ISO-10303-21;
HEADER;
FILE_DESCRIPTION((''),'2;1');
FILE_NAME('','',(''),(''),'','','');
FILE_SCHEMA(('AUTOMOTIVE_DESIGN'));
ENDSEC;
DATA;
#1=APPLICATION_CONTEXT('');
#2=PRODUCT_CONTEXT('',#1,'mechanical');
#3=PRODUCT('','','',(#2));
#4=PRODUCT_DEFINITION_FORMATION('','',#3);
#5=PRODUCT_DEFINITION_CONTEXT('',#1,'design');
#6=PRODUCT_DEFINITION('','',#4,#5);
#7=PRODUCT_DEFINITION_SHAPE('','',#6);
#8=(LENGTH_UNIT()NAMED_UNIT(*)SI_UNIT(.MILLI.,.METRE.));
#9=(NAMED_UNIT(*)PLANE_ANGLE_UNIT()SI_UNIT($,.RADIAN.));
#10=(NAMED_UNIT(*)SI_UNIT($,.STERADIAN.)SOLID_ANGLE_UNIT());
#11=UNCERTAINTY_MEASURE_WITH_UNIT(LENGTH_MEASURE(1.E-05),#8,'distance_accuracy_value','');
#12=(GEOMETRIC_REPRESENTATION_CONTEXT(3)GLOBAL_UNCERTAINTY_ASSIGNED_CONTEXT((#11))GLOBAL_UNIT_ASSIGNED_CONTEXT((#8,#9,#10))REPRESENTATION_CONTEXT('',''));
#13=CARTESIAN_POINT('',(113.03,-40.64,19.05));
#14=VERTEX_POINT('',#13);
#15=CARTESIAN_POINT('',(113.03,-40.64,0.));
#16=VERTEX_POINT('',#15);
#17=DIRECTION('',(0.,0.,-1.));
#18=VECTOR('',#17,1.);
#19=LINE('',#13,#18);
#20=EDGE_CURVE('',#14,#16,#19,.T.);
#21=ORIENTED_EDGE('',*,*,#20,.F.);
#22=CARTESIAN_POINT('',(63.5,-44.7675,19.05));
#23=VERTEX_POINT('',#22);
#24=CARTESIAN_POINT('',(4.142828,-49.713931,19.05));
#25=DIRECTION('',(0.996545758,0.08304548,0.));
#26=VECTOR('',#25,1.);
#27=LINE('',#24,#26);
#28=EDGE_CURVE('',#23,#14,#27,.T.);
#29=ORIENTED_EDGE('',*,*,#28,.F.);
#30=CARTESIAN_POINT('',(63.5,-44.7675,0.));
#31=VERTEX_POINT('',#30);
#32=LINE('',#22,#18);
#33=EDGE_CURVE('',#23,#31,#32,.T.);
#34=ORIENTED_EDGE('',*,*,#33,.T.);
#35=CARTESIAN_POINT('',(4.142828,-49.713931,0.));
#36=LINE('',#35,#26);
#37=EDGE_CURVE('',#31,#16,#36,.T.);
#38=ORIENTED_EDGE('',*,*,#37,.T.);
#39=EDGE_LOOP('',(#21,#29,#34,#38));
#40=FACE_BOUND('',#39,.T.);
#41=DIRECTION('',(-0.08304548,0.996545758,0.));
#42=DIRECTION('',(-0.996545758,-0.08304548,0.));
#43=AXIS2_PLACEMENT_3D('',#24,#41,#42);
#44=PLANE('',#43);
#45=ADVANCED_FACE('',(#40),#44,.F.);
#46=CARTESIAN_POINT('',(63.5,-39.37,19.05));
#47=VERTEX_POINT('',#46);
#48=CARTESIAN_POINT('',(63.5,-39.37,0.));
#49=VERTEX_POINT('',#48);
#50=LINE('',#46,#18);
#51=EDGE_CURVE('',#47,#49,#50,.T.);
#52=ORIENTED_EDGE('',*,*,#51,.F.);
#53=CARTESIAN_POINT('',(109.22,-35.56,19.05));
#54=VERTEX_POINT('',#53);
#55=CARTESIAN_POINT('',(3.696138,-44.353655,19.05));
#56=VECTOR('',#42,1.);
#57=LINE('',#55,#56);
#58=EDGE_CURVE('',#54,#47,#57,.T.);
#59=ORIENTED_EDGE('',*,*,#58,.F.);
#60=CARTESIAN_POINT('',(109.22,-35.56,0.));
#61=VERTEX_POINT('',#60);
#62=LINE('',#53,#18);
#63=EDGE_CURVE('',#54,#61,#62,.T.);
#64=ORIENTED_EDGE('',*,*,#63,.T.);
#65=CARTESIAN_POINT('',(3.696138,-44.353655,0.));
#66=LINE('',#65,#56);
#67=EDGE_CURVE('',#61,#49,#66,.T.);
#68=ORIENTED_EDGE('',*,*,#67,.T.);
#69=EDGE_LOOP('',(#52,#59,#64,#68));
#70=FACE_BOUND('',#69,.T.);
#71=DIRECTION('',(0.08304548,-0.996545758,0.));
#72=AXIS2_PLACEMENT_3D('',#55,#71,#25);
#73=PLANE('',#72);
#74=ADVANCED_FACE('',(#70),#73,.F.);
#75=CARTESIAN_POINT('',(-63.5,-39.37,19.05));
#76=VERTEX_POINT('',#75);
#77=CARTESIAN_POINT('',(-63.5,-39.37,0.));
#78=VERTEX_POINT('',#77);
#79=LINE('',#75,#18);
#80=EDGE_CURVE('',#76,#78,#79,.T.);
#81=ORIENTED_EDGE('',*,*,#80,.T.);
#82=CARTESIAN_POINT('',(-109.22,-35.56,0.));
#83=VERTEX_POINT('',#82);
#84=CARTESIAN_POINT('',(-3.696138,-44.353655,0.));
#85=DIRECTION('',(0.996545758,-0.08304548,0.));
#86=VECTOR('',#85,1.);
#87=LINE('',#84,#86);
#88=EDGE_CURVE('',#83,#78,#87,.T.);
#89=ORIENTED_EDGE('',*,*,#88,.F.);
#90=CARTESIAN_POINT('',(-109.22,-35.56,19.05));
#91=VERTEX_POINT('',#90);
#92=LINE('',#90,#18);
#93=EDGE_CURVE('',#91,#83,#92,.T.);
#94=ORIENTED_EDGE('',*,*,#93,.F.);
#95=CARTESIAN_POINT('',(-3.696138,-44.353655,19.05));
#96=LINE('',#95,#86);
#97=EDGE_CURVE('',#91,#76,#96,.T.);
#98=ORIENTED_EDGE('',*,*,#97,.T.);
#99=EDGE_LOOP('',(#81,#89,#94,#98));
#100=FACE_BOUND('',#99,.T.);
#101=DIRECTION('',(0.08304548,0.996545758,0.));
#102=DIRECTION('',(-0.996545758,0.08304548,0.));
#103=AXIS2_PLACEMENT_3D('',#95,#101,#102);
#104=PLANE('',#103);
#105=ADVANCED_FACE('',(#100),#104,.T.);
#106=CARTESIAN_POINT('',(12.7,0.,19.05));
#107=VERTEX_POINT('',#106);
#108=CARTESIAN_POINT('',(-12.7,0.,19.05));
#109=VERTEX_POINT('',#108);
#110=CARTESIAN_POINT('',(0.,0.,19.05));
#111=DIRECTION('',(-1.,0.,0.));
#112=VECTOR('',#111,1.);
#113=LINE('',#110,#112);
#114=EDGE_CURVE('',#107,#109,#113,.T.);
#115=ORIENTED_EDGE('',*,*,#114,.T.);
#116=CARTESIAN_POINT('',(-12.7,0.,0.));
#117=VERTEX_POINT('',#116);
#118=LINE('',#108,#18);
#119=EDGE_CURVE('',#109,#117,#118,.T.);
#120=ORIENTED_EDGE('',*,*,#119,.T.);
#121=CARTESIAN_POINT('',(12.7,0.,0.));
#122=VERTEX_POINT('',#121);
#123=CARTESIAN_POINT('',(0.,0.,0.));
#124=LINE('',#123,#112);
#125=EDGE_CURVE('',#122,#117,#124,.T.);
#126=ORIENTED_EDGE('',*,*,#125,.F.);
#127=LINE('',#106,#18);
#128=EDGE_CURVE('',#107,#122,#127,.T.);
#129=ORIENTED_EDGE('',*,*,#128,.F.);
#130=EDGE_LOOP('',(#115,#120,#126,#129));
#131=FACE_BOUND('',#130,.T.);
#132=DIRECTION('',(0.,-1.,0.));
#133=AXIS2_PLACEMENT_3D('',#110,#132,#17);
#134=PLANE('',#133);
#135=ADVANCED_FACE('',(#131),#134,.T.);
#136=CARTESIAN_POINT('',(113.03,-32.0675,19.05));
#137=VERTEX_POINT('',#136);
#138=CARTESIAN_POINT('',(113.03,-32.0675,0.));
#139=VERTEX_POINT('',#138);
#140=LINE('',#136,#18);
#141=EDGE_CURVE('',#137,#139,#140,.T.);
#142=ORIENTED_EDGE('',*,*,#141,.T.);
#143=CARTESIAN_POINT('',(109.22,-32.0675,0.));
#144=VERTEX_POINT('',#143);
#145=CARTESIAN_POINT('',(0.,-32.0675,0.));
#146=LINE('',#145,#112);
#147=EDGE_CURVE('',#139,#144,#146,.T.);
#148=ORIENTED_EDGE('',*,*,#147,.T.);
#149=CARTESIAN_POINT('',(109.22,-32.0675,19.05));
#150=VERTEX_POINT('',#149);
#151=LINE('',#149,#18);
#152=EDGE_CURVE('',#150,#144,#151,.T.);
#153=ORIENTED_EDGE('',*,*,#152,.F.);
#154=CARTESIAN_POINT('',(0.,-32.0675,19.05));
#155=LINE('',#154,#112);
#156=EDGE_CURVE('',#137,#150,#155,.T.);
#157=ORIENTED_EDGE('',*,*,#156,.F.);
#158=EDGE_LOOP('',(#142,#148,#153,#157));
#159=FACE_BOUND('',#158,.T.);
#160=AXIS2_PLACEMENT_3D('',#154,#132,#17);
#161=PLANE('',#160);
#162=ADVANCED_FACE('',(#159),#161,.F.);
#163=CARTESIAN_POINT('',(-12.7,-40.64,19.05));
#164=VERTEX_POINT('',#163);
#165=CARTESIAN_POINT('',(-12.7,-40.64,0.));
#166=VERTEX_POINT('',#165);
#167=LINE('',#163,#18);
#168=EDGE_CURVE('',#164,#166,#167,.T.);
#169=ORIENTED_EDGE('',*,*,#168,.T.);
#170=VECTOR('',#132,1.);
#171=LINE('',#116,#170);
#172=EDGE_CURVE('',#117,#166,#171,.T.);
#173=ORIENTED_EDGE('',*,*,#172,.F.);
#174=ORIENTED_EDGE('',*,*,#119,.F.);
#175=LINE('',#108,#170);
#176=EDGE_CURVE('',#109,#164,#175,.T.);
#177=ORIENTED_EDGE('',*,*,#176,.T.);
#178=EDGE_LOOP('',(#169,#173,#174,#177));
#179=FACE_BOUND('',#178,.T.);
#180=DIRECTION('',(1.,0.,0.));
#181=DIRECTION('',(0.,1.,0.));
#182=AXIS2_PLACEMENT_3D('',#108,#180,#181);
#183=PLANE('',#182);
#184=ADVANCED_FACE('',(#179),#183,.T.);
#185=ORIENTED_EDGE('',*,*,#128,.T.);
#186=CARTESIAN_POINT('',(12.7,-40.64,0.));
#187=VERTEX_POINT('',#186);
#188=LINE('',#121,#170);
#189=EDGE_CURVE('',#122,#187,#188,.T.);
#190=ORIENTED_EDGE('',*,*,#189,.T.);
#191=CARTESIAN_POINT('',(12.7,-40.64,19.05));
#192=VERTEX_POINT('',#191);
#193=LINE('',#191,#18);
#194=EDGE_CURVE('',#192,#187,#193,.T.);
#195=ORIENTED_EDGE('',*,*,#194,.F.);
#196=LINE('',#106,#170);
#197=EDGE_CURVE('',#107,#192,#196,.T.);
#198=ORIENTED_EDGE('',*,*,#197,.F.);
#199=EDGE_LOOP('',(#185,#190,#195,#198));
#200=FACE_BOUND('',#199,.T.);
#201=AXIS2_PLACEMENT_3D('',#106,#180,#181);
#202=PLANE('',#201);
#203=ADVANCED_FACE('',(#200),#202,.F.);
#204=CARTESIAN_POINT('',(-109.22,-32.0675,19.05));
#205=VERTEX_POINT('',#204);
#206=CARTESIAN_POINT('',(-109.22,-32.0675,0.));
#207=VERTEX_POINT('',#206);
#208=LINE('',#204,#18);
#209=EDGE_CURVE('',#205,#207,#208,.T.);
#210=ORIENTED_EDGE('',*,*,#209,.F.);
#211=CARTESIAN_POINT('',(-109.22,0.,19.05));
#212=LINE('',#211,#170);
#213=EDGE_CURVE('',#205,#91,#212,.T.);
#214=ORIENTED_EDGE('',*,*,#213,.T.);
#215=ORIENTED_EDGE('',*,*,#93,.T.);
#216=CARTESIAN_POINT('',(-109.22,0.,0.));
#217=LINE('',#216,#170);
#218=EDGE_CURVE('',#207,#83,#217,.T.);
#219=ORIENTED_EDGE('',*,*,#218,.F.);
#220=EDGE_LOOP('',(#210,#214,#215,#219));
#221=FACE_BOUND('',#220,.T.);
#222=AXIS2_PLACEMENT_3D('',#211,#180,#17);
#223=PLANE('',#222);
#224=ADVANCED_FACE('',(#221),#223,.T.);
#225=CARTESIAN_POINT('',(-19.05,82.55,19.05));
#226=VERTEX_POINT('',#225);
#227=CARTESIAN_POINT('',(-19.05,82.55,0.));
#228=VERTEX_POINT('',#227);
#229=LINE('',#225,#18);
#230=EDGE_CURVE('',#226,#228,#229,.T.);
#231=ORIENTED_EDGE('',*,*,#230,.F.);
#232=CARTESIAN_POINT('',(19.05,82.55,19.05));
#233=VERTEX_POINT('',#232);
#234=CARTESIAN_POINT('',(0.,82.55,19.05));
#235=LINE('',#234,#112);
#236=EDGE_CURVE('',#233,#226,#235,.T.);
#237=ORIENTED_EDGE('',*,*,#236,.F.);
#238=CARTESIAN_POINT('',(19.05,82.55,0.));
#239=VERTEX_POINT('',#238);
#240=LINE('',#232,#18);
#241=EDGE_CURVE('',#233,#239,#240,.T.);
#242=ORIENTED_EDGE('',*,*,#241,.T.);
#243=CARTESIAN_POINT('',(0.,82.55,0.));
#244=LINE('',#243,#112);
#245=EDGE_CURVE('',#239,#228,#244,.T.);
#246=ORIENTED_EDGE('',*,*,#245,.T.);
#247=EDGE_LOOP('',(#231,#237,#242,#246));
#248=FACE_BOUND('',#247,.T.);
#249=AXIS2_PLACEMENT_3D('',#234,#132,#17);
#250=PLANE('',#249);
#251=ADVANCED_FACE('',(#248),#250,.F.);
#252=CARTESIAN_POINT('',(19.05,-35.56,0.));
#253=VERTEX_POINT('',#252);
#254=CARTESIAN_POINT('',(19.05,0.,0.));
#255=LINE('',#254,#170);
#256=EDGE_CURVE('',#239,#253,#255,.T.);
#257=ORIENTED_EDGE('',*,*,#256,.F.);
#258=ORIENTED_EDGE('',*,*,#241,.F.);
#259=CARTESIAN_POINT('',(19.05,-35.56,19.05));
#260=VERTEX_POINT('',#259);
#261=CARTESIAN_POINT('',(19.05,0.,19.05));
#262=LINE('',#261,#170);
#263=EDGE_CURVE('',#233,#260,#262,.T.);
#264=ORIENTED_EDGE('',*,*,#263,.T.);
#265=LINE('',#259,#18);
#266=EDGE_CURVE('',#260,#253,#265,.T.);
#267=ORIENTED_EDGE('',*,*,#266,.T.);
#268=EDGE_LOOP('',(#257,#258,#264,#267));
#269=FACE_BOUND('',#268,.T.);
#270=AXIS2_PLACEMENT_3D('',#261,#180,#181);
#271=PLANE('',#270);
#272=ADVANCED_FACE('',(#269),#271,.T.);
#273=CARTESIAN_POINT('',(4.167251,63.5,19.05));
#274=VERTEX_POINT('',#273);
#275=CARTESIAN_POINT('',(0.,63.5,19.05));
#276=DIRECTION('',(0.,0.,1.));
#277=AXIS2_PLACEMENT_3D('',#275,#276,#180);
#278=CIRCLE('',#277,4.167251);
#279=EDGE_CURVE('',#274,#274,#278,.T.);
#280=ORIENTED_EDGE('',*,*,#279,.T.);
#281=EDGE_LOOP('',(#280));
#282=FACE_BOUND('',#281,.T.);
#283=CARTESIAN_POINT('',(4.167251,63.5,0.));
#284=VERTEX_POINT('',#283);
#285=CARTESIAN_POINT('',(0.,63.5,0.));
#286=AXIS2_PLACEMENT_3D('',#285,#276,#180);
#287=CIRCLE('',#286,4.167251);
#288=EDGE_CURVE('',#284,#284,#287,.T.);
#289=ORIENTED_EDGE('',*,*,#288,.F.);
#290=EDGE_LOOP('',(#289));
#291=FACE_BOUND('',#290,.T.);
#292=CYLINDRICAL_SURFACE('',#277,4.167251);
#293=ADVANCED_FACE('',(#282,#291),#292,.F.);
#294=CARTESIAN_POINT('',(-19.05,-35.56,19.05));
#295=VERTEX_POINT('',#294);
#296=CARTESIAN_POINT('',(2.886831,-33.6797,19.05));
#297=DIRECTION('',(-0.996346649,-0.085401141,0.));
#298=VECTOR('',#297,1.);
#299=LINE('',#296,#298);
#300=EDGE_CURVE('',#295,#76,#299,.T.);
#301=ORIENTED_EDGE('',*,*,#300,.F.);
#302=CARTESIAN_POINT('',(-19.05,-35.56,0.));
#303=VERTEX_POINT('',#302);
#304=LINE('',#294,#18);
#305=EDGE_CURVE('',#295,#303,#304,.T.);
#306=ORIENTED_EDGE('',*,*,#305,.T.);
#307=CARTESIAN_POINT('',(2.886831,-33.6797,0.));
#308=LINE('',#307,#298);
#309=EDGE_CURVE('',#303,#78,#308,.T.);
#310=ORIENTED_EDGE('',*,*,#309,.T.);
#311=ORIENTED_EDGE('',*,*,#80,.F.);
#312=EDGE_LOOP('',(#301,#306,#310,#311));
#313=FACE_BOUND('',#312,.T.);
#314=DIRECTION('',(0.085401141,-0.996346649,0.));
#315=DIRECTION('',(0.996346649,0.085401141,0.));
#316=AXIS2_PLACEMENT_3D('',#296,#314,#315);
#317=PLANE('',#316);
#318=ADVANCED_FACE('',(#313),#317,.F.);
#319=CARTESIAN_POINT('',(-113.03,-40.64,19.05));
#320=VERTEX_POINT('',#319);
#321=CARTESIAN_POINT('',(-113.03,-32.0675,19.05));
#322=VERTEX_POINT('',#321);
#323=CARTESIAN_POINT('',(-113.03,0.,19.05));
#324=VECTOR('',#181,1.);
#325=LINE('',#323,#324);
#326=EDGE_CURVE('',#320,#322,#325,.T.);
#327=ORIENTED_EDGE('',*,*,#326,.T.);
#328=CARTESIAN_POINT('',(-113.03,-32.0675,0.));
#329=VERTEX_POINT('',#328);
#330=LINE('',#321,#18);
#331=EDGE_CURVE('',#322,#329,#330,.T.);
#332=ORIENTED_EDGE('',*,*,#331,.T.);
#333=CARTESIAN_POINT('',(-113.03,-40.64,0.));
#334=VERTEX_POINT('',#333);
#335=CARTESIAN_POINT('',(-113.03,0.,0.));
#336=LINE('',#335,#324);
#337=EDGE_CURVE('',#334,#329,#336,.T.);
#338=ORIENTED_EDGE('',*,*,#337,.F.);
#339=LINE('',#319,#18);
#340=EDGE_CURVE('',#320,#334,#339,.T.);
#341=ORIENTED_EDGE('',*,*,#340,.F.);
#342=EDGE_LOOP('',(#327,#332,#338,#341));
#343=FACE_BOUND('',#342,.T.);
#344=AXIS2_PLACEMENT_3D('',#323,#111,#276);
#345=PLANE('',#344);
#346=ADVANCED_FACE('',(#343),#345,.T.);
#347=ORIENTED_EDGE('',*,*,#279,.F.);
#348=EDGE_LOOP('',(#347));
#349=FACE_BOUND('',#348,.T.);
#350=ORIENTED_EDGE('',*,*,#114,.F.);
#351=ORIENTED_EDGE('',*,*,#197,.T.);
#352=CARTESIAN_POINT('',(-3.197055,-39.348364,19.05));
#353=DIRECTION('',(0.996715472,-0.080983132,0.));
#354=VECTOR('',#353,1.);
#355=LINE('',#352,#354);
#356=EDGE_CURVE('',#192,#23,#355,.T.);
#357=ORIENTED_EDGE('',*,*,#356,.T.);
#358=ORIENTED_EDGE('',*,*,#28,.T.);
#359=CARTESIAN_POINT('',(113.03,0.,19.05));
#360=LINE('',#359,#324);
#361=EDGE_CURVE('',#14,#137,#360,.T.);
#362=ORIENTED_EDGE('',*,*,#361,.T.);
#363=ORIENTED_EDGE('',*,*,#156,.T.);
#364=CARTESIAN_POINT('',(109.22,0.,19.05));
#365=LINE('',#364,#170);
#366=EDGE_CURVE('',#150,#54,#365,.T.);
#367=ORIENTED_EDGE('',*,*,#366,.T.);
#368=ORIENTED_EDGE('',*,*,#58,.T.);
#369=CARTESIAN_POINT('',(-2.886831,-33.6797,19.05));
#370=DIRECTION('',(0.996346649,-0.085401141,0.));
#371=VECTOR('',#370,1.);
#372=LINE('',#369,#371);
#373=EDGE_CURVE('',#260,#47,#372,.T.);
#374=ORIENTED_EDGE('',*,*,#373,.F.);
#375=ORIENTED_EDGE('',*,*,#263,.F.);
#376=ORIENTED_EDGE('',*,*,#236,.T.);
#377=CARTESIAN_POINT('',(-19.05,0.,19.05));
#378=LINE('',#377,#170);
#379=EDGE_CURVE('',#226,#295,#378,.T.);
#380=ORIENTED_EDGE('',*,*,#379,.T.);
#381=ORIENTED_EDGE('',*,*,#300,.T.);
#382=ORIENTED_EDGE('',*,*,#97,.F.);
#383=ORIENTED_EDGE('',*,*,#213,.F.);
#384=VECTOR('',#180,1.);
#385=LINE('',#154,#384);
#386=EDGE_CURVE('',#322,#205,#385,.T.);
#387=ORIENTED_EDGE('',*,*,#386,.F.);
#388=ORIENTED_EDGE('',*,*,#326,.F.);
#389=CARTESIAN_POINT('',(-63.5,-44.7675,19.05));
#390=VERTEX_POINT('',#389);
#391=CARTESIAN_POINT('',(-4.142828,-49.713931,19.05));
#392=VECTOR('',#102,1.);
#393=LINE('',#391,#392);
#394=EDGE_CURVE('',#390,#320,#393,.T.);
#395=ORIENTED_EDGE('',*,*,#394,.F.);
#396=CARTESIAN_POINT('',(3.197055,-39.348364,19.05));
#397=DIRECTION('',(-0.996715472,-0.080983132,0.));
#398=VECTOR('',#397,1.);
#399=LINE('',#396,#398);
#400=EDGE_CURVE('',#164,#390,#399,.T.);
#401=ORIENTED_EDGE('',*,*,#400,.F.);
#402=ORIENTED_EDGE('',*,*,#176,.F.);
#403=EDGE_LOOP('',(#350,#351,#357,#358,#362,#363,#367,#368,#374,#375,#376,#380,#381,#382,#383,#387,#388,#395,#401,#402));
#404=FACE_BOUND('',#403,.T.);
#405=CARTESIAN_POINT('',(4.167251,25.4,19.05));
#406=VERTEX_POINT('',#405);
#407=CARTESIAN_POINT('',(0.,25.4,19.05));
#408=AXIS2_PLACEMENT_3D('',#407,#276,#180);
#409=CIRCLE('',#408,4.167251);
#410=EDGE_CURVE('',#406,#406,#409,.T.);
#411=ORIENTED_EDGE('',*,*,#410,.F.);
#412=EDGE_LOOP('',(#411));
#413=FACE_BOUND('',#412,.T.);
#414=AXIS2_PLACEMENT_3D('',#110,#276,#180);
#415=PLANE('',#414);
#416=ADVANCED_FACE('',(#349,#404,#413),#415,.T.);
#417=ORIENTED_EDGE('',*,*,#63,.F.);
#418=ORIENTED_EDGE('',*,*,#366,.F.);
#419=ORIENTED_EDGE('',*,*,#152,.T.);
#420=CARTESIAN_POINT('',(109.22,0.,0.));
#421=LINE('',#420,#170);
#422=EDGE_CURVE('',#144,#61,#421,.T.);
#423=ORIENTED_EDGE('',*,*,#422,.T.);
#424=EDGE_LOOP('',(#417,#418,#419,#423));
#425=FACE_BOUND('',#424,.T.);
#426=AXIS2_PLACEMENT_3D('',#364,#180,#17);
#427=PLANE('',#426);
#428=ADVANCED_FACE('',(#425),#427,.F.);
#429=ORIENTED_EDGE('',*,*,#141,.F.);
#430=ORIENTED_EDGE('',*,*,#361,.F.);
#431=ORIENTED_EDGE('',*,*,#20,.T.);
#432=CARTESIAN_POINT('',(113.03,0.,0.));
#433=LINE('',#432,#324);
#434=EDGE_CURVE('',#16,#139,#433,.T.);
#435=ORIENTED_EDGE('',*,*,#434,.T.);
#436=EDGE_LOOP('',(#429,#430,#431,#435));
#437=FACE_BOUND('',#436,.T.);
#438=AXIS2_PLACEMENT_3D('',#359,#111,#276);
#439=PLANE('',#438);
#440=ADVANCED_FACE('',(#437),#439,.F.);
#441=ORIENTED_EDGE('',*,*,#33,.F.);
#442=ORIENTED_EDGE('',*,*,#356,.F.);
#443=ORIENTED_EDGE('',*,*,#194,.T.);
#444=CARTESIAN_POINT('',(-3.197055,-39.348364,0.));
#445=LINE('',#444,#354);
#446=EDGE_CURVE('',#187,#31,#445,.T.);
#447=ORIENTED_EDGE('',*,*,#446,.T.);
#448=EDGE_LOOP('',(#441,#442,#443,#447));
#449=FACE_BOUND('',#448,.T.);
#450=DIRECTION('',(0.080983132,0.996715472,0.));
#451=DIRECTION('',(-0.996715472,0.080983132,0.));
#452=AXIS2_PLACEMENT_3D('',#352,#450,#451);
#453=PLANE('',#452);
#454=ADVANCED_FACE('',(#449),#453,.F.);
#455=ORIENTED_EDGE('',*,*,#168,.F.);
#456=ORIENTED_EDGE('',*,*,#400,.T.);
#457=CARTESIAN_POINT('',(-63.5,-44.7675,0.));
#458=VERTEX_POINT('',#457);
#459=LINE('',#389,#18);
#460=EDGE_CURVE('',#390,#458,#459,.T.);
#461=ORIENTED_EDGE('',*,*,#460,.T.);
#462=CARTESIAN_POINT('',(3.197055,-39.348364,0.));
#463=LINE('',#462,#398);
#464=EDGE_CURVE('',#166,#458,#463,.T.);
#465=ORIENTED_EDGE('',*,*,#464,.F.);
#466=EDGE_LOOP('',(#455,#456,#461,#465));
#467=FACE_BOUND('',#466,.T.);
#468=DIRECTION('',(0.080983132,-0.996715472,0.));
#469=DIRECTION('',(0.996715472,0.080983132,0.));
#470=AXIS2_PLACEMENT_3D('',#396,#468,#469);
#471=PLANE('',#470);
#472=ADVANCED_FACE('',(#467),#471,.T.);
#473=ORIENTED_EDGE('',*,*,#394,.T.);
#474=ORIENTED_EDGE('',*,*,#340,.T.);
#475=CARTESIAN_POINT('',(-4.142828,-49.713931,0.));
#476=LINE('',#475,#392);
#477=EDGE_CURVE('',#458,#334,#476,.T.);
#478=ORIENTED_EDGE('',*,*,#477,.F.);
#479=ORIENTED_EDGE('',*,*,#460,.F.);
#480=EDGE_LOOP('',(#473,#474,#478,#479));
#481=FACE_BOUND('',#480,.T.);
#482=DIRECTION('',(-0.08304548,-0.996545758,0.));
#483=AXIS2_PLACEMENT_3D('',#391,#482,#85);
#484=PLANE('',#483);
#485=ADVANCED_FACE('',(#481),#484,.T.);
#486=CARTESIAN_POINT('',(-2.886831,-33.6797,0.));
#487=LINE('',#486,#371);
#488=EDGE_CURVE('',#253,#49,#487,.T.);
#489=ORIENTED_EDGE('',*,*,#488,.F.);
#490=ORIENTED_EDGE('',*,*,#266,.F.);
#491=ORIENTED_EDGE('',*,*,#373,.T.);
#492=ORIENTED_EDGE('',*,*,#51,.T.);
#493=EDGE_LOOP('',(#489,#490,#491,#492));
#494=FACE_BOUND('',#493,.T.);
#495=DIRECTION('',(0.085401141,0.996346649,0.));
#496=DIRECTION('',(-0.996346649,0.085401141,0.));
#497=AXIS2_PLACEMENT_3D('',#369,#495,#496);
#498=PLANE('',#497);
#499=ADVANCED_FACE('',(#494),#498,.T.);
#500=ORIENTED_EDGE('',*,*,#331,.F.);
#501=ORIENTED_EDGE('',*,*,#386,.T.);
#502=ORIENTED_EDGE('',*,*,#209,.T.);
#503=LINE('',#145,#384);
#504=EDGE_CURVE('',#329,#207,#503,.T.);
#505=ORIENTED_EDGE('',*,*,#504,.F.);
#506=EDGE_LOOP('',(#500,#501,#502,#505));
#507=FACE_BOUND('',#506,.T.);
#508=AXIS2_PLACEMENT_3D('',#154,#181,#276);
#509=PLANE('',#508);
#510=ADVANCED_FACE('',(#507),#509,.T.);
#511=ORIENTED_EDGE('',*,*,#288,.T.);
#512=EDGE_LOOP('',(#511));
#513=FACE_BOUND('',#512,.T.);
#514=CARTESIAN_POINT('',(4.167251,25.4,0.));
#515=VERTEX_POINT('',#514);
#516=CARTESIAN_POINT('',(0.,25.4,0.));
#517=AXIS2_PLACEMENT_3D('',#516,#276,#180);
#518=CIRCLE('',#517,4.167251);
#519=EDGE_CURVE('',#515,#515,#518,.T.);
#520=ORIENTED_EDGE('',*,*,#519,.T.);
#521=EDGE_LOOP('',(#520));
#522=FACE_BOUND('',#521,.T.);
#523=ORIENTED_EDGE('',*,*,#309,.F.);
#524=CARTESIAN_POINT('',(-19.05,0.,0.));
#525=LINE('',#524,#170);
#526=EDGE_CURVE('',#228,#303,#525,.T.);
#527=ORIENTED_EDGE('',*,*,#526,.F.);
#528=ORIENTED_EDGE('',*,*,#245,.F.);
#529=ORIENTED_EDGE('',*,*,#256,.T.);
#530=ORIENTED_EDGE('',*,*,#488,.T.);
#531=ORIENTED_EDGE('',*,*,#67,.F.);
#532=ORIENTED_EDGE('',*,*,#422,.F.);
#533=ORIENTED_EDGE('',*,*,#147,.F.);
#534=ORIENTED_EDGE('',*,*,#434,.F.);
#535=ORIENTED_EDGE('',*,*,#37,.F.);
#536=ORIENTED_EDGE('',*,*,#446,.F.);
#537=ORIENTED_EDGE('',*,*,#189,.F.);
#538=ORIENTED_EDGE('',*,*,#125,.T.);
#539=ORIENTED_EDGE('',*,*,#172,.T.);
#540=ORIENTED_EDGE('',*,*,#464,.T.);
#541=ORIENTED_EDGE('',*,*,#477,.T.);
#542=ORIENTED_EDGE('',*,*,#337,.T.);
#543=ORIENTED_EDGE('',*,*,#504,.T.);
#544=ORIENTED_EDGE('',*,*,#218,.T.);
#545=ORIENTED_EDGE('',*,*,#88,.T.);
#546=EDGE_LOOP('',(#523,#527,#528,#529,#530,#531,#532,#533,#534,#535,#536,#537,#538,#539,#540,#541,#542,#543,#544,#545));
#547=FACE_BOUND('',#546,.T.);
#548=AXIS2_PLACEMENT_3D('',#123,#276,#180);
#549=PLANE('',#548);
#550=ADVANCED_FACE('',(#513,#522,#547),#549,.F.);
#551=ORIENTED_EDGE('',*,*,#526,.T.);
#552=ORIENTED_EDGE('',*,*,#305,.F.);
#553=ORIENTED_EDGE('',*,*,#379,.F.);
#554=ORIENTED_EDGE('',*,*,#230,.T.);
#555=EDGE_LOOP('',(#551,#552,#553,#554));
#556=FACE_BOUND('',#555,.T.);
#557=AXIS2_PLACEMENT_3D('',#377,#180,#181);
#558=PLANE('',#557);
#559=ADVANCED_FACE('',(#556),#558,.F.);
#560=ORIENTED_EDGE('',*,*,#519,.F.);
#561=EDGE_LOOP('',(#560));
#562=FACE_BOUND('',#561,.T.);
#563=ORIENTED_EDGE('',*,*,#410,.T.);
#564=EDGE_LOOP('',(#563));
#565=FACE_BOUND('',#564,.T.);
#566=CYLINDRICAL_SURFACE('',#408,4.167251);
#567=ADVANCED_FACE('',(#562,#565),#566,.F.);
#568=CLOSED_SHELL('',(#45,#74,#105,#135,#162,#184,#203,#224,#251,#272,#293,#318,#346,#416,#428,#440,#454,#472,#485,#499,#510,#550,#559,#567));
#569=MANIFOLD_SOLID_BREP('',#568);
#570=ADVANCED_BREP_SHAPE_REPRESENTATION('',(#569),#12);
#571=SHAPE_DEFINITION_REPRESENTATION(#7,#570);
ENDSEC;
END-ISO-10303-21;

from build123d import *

# Parameters (mm, degrees)
BOSS_EXTRUDE1_DEPTH              = 19.05
F_21_64_0_32813_DIAMETER_HOLE1_D = 8.334502


with BuildPart() as part:
    # Sketch2 → Boss-Extrude1 (new body)
    with BuildSketch(Plane.XY):
        Polygon((0, 0), (12.7, 0), (12.7, -40.64), (63.5, -44.7675), (113.03, -40.64), (113.03, -32.0675), (109.22, -32.0675), (109.22, -35.56), (63.5, -39.37), (19.05, -35.56), (19.05, 0), (19.05, 82.55), (0, 82.55), align=None)
        Polygon((-12.7, 0), (0, 0), (0, 82.55), (-19.05, 82.55), (-19.05, 0), (-19.05, -35.56), (-63.5, -39.37), (-109.22, -35.56), (-109.22, -32.0675), (-113.03, -32.0675), (-113.03, -40.64), (-63.5, -44.7675), (-12.7, -40.64), align=None)
    extrude(amount=BOSS_EXTRUDE1_DEPTH)

    # 21/64 (0.32813) Diameter Hole1 (through all)
    with Locations(Plane.XY.offset(19.05)):
        with Locations((0, 25.4), (0, 63.5)):
            Hole(F_21_64_0_32813_DIAMETER_HOLE1_D / 2)


solid = part.part
